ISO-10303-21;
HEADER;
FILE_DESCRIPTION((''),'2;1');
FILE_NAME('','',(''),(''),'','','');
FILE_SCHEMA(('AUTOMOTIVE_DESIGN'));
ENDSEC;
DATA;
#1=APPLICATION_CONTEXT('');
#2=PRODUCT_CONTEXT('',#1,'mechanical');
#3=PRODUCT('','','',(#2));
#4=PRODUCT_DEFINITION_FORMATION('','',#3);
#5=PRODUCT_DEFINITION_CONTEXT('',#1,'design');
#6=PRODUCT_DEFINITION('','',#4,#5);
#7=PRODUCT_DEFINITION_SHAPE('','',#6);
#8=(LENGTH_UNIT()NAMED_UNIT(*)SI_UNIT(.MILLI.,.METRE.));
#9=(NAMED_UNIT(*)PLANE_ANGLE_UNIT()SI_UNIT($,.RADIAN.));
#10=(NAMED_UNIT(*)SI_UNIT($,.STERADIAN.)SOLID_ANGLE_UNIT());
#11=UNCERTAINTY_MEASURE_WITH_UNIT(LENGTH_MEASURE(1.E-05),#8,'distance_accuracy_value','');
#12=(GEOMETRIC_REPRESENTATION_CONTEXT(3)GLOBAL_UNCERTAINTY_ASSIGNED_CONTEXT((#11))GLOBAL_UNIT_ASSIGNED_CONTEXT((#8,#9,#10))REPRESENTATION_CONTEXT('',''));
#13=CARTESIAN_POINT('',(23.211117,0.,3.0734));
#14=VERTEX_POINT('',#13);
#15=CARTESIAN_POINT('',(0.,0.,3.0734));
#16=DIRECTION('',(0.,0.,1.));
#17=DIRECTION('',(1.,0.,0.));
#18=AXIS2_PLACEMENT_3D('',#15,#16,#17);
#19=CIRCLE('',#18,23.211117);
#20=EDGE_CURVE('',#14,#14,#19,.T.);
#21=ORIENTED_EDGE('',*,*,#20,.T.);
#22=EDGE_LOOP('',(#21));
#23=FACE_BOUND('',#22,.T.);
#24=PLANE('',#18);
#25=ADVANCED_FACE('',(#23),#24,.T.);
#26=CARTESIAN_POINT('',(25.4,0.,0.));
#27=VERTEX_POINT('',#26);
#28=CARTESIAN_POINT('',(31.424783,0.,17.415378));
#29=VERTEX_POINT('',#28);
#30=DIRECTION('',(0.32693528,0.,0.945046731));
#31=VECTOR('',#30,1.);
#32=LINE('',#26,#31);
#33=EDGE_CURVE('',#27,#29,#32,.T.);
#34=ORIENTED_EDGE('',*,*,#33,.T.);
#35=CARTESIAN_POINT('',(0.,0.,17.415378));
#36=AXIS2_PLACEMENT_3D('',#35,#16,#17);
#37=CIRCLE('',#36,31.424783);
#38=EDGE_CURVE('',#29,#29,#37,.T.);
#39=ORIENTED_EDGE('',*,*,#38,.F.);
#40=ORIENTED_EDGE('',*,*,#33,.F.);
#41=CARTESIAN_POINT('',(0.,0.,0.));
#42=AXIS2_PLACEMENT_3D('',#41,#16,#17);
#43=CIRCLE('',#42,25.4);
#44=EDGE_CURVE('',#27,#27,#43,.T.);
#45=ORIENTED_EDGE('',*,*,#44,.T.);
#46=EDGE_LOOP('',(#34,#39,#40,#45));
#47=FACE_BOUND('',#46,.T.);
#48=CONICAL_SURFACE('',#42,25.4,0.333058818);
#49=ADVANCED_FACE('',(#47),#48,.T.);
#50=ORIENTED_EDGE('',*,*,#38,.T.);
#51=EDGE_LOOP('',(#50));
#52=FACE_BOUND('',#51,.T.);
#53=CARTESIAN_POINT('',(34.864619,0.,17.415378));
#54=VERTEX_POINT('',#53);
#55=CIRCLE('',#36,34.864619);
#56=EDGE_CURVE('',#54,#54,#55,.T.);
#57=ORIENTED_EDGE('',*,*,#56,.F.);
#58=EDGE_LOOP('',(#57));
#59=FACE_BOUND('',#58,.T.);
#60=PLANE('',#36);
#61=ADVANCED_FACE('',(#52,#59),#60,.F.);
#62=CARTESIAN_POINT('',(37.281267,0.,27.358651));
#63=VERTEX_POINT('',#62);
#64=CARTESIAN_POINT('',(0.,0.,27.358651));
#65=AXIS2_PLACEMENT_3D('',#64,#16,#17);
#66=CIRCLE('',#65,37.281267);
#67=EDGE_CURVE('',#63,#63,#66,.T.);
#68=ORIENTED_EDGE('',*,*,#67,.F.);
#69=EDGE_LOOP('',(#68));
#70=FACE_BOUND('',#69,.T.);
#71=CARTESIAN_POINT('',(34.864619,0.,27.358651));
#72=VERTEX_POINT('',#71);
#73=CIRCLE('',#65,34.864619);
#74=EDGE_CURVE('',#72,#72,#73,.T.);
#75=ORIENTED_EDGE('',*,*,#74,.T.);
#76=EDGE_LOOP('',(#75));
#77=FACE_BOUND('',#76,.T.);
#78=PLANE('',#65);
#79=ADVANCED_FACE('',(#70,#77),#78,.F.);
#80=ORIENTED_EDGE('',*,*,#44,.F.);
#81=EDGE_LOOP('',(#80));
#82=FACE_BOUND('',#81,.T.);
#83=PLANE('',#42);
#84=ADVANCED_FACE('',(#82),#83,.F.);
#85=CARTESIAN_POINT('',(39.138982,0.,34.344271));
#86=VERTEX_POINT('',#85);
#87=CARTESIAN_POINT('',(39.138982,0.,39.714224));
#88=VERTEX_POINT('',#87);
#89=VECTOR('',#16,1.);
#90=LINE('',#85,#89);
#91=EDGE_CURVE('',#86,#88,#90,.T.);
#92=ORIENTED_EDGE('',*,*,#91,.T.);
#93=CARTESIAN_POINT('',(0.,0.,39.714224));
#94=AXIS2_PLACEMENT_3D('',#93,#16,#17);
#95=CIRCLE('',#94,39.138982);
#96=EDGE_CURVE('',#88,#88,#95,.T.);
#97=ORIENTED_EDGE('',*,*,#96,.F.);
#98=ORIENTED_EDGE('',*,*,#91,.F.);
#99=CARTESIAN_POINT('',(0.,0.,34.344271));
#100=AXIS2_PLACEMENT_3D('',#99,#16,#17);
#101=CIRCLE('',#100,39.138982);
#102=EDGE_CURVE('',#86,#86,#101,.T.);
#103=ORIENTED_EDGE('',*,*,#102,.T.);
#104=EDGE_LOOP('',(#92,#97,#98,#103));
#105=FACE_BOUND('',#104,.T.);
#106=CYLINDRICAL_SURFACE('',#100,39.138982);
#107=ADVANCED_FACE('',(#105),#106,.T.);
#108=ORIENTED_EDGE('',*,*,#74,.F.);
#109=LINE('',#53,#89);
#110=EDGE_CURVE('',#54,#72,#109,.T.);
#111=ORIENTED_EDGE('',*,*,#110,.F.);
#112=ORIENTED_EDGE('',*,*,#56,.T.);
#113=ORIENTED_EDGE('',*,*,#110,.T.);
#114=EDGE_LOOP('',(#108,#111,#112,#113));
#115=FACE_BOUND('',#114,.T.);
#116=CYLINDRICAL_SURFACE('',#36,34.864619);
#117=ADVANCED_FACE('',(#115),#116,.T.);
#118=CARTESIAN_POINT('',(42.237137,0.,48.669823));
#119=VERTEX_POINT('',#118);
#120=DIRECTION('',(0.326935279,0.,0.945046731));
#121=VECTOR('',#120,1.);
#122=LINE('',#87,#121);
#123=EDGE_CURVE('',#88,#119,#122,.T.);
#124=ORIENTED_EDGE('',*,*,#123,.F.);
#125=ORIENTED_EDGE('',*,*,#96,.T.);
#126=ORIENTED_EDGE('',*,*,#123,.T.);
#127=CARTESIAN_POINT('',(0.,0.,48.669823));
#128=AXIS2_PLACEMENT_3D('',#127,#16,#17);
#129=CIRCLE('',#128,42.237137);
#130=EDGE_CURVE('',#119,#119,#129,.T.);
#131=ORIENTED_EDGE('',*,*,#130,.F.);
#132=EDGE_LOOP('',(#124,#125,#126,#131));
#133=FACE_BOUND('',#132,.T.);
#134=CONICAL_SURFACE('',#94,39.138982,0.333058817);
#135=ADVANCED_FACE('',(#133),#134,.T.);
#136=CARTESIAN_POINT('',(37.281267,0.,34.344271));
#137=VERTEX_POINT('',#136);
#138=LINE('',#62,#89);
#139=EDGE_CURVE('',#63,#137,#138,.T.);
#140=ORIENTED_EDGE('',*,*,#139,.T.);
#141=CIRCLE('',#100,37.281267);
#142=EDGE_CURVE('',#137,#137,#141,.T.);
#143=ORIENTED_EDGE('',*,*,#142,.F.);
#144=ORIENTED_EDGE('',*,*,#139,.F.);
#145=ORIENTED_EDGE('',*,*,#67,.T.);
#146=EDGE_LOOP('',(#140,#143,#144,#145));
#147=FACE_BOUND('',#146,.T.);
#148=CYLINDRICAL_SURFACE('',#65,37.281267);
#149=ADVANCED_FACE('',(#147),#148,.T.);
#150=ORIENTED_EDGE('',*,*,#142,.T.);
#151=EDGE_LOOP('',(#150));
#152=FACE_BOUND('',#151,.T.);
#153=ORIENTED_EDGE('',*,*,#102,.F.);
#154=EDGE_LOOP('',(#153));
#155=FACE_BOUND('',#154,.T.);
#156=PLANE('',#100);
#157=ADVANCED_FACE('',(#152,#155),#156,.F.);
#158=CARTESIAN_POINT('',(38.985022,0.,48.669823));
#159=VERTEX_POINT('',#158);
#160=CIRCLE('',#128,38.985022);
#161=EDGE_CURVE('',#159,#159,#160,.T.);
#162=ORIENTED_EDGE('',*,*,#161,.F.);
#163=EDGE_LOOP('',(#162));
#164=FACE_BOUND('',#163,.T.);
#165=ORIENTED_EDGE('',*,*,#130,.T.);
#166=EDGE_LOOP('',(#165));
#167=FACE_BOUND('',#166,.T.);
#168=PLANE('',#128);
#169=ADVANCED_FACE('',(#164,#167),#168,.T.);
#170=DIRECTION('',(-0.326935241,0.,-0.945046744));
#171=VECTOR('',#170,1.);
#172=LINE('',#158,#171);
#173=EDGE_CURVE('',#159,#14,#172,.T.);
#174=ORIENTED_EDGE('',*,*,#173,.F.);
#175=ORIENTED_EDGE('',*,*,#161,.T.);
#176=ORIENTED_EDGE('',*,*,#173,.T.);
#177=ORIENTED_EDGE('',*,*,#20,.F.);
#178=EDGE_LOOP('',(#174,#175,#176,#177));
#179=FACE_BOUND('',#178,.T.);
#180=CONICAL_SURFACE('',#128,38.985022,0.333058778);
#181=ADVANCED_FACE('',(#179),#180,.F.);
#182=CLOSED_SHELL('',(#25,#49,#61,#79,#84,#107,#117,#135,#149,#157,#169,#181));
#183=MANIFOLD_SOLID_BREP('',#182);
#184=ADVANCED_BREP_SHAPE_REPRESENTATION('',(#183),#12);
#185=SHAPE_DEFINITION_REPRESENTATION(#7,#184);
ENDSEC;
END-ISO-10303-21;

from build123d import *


with BuildPart() as f1:
    # F0 (on Front) → F1 (revolve)
    with BuildSketch(Plane.XZ):
        Polygon((0, 0), (25.4, 0), (31.424783, 17.415378), (34.864619, 27.358651), (37.281267, 34.344271), (39.138982, 39.714224), (42.237137, 48.669823), (38.985022, 48.669823), (23.211117, 3.0734), (0, 3.0734), align=None)
        Polygon((34.864619, 27.358651), (31.424783, 17.415378), (34.864619, 17.415378), align=None)
        Polygon((37.281267, 34.344271), (34.864619, 27.358651), (37.281267, 27.358651), align=None)
        Polygon((39.138982, 39.714224), (37.281267, 34.344271), (39.138982, 34.344271), align=None)
    revolve(axis=Axis((0, 0, 24.334911), (0, 0, 1)))


solid = f1.part
